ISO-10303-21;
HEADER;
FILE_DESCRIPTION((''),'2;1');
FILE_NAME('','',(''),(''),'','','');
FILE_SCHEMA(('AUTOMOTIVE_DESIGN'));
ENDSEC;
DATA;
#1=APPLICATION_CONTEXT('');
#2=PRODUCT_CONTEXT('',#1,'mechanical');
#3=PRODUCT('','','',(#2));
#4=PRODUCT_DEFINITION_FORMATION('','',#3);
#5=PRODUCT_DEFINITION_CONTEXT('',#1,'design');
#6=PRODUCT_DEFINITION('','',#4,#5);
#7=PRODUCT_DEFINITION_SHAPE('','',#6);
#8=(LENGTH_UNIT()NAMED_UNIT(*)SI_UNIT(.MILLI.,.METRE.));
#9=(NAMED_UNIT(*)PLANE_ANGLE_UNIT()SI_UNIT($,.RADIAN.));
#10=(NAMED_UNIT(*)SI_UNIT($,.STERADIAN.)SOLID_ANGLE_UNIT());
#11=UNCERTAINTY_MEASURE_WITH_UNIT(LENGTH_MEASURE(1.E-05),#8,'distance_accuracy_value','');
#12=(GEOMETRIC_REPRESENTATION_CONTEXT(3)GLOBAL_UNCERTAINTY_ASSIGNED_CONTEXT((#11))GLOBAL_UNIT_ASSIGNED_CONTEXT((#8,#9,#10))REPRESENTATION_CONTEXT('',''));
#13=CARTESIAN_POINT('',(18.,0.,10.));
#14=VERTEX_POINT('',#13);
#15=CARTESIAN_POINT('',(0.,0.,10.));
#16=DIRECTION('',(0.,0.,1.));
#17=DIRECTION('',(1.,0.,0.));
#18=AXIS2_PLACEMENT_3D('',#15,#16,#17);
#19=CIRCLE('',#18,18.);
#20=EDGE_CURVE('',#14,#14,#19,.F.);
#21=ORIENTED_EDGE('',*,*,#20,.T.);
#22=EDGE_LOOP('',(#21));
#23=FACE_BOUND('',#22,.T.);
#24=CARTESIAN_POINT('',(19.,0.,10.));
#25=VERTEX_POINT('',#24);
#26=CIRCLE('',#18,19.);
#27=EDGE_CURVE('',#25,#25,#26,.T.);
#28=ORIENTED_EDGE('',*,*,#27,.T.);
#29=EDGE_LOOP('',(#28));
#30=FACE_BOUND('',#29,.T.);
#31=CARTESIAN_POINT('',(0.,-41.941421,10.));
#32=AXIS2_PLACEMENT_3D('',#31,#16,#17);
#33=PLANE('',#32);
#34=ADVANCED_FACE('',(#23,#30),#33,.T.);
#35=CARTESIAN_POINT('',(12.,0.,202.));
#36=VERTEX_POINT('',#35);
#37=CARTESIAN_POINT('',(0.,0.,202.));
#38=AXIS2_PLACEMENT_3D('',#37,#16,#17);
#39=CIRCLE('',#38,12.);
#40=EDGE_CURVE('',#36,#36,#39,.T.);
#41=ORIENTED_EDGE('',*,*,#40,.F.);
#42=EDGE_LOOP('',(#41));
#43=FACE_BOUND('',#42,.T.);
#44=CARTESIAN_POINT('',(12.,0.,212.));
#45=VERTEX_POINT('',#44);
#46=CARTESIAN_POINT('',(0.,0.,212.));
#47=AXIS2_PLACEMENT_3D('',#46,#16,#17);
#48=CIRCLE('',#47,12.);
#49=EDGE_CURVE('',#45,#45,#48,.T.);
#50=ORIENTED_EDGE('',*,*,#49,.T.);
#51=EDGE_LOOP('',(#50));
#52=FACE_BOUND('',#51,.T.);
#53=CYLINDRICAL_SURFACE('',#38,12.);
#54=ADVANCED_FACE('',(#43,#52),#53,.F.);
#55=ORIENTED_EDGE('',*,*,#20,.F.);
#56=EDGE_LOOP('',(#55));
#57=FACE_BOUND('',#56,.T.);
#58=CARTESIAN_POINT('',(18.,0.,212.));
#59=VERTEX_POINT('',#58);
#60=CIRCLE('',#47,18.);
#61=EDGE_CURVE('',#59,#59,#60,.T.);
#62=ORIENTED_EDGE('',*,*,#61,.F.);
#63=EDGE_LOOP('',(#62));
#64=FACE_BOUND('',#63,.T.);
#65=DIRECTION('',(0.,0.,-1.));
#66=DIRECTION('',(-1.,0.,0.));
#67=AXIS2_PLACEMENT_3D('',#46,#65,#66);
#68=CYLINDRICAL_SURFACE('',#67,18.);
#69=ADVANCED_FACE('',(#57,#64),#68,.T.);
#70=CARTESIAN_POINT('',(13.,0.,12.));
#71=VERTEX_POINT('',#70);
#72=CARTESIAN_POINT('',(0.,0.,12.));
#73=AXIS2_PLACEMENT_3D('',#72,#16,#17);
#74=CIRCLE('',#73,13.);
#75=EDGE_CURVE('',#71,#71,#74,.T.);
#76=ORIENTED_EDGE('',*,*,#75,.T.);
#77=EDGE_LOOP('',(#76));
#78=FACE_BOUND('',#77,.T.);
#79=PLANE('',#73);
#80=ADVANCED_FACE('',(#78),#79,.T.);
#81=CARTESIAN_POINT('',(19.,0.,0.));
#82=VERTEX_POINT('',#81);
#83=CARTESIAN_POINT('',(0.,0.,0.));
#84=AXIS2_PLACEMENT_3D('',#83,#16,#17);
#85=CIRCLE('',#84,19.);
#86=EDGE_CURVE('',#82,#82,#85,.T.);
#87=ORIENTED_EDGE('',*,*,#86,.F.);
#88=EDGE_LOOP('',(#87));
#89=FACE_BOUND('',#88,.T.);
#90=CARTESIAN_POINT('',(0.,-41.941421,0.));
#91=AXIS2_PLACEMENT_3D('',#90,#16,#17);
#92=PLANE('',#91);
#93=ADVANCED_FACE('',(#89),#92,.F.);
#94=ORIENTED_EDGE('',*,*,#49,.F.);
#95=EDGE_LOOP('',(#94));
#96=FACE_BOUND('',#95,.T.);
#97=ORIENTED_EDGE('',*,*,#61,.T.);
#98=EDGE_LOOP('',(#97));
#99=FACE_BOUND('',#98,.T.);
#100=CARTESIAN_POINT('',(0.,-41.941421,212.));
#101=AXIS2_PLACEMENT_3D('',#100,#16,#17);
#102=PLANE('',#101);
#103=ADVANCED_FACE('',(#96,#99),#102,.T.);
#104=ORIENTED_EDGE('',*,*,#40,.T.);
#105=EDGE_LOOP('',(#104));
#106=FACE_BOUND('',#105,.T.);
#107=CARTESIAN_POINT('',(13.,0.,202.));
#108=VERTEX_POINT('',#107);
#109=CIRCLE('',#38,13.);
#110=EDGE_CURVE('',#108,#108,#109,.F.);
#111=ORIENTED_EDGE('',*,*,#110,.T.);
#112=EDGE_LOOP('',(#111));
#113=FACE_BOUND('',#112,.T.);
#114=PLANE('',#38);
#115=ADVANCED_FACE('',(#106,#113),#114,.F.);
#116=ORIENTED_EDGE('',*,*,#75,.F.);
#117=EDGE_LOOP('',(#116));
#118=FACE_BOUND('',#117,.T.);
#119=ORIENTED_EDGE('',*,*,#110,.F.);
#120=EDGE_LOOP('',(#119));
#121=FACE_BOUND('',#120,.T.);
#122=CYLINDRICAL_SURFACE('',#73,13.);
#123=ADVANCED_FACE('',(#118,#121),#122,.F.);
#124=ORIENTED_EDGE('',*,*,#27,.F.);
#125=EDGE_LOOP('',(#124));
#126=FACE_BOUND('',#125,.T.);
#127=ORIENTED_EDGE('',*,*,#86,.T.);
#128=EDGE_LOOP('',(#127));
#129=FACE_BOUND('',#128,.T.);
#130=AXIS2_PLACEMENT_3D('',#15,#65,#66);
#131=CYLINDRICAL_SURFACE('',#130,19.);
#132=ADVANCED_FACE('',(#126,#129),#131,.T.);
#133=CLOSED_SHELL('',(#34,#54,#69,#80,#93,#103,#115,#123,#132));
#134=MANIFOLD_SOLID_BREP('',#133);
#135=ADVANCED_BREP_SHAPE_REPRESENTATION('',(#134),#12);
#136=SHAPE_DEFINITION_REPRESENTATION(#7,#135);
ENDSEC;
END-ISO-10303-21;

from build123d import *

# Parameters (mm, degrees)
SKETCH1_R           = 19
BOSS_EXTRUDE1_DEPTH = 10
SKETCH1_3_R         = 18
BOSS_EXTRUDE2_DEPTH = 212
SKETCH2_R           = 13
CUT_EXTRUDE1_DEPTH  = 200
SKETCH3_R           = 13
SKETCH3_R_2         = 12
BOSS_EXTRUDE3_DEPTH = 10


with BuildPart() as part:
    # Sketch1 → Boss-Extrude1 (new body)
    with BuildSketch(Plane.XY):
        Circle(SKETCH1_R)
    extrude(amount=BOSS_EXTRUDE1_DEPTH)

    # Sketch1<3> → Boss-Extrude2 (add)
    with BuildSketch(Plane.XY):
        Circle(SKETCH1_3_R)
    extrude(amount=BOSS_EXTRUDE2_DEPTH)

    # Sketch2 → Cut-Extrude1 (cut)
    with BuildSketch(Plane.XY.offset(212)):
        Circle(SKETCH2_R)
    extrude(amount=-CUT_EXTRUDE1_DEPTH, mode=Mode.SUBTRACT)

    # Sketch3 → Boss-Extrude3 (add)
    with BuildSketch(Plane.XY.offset(212)):
        Circle(SKETCH3_R)
        Circle(SKETCH3_R_2, mode=Mode.SUBTRACT)
    extrude(amount=-BOSS_EXTRUDE3_DEPTH)


solid = part.part
